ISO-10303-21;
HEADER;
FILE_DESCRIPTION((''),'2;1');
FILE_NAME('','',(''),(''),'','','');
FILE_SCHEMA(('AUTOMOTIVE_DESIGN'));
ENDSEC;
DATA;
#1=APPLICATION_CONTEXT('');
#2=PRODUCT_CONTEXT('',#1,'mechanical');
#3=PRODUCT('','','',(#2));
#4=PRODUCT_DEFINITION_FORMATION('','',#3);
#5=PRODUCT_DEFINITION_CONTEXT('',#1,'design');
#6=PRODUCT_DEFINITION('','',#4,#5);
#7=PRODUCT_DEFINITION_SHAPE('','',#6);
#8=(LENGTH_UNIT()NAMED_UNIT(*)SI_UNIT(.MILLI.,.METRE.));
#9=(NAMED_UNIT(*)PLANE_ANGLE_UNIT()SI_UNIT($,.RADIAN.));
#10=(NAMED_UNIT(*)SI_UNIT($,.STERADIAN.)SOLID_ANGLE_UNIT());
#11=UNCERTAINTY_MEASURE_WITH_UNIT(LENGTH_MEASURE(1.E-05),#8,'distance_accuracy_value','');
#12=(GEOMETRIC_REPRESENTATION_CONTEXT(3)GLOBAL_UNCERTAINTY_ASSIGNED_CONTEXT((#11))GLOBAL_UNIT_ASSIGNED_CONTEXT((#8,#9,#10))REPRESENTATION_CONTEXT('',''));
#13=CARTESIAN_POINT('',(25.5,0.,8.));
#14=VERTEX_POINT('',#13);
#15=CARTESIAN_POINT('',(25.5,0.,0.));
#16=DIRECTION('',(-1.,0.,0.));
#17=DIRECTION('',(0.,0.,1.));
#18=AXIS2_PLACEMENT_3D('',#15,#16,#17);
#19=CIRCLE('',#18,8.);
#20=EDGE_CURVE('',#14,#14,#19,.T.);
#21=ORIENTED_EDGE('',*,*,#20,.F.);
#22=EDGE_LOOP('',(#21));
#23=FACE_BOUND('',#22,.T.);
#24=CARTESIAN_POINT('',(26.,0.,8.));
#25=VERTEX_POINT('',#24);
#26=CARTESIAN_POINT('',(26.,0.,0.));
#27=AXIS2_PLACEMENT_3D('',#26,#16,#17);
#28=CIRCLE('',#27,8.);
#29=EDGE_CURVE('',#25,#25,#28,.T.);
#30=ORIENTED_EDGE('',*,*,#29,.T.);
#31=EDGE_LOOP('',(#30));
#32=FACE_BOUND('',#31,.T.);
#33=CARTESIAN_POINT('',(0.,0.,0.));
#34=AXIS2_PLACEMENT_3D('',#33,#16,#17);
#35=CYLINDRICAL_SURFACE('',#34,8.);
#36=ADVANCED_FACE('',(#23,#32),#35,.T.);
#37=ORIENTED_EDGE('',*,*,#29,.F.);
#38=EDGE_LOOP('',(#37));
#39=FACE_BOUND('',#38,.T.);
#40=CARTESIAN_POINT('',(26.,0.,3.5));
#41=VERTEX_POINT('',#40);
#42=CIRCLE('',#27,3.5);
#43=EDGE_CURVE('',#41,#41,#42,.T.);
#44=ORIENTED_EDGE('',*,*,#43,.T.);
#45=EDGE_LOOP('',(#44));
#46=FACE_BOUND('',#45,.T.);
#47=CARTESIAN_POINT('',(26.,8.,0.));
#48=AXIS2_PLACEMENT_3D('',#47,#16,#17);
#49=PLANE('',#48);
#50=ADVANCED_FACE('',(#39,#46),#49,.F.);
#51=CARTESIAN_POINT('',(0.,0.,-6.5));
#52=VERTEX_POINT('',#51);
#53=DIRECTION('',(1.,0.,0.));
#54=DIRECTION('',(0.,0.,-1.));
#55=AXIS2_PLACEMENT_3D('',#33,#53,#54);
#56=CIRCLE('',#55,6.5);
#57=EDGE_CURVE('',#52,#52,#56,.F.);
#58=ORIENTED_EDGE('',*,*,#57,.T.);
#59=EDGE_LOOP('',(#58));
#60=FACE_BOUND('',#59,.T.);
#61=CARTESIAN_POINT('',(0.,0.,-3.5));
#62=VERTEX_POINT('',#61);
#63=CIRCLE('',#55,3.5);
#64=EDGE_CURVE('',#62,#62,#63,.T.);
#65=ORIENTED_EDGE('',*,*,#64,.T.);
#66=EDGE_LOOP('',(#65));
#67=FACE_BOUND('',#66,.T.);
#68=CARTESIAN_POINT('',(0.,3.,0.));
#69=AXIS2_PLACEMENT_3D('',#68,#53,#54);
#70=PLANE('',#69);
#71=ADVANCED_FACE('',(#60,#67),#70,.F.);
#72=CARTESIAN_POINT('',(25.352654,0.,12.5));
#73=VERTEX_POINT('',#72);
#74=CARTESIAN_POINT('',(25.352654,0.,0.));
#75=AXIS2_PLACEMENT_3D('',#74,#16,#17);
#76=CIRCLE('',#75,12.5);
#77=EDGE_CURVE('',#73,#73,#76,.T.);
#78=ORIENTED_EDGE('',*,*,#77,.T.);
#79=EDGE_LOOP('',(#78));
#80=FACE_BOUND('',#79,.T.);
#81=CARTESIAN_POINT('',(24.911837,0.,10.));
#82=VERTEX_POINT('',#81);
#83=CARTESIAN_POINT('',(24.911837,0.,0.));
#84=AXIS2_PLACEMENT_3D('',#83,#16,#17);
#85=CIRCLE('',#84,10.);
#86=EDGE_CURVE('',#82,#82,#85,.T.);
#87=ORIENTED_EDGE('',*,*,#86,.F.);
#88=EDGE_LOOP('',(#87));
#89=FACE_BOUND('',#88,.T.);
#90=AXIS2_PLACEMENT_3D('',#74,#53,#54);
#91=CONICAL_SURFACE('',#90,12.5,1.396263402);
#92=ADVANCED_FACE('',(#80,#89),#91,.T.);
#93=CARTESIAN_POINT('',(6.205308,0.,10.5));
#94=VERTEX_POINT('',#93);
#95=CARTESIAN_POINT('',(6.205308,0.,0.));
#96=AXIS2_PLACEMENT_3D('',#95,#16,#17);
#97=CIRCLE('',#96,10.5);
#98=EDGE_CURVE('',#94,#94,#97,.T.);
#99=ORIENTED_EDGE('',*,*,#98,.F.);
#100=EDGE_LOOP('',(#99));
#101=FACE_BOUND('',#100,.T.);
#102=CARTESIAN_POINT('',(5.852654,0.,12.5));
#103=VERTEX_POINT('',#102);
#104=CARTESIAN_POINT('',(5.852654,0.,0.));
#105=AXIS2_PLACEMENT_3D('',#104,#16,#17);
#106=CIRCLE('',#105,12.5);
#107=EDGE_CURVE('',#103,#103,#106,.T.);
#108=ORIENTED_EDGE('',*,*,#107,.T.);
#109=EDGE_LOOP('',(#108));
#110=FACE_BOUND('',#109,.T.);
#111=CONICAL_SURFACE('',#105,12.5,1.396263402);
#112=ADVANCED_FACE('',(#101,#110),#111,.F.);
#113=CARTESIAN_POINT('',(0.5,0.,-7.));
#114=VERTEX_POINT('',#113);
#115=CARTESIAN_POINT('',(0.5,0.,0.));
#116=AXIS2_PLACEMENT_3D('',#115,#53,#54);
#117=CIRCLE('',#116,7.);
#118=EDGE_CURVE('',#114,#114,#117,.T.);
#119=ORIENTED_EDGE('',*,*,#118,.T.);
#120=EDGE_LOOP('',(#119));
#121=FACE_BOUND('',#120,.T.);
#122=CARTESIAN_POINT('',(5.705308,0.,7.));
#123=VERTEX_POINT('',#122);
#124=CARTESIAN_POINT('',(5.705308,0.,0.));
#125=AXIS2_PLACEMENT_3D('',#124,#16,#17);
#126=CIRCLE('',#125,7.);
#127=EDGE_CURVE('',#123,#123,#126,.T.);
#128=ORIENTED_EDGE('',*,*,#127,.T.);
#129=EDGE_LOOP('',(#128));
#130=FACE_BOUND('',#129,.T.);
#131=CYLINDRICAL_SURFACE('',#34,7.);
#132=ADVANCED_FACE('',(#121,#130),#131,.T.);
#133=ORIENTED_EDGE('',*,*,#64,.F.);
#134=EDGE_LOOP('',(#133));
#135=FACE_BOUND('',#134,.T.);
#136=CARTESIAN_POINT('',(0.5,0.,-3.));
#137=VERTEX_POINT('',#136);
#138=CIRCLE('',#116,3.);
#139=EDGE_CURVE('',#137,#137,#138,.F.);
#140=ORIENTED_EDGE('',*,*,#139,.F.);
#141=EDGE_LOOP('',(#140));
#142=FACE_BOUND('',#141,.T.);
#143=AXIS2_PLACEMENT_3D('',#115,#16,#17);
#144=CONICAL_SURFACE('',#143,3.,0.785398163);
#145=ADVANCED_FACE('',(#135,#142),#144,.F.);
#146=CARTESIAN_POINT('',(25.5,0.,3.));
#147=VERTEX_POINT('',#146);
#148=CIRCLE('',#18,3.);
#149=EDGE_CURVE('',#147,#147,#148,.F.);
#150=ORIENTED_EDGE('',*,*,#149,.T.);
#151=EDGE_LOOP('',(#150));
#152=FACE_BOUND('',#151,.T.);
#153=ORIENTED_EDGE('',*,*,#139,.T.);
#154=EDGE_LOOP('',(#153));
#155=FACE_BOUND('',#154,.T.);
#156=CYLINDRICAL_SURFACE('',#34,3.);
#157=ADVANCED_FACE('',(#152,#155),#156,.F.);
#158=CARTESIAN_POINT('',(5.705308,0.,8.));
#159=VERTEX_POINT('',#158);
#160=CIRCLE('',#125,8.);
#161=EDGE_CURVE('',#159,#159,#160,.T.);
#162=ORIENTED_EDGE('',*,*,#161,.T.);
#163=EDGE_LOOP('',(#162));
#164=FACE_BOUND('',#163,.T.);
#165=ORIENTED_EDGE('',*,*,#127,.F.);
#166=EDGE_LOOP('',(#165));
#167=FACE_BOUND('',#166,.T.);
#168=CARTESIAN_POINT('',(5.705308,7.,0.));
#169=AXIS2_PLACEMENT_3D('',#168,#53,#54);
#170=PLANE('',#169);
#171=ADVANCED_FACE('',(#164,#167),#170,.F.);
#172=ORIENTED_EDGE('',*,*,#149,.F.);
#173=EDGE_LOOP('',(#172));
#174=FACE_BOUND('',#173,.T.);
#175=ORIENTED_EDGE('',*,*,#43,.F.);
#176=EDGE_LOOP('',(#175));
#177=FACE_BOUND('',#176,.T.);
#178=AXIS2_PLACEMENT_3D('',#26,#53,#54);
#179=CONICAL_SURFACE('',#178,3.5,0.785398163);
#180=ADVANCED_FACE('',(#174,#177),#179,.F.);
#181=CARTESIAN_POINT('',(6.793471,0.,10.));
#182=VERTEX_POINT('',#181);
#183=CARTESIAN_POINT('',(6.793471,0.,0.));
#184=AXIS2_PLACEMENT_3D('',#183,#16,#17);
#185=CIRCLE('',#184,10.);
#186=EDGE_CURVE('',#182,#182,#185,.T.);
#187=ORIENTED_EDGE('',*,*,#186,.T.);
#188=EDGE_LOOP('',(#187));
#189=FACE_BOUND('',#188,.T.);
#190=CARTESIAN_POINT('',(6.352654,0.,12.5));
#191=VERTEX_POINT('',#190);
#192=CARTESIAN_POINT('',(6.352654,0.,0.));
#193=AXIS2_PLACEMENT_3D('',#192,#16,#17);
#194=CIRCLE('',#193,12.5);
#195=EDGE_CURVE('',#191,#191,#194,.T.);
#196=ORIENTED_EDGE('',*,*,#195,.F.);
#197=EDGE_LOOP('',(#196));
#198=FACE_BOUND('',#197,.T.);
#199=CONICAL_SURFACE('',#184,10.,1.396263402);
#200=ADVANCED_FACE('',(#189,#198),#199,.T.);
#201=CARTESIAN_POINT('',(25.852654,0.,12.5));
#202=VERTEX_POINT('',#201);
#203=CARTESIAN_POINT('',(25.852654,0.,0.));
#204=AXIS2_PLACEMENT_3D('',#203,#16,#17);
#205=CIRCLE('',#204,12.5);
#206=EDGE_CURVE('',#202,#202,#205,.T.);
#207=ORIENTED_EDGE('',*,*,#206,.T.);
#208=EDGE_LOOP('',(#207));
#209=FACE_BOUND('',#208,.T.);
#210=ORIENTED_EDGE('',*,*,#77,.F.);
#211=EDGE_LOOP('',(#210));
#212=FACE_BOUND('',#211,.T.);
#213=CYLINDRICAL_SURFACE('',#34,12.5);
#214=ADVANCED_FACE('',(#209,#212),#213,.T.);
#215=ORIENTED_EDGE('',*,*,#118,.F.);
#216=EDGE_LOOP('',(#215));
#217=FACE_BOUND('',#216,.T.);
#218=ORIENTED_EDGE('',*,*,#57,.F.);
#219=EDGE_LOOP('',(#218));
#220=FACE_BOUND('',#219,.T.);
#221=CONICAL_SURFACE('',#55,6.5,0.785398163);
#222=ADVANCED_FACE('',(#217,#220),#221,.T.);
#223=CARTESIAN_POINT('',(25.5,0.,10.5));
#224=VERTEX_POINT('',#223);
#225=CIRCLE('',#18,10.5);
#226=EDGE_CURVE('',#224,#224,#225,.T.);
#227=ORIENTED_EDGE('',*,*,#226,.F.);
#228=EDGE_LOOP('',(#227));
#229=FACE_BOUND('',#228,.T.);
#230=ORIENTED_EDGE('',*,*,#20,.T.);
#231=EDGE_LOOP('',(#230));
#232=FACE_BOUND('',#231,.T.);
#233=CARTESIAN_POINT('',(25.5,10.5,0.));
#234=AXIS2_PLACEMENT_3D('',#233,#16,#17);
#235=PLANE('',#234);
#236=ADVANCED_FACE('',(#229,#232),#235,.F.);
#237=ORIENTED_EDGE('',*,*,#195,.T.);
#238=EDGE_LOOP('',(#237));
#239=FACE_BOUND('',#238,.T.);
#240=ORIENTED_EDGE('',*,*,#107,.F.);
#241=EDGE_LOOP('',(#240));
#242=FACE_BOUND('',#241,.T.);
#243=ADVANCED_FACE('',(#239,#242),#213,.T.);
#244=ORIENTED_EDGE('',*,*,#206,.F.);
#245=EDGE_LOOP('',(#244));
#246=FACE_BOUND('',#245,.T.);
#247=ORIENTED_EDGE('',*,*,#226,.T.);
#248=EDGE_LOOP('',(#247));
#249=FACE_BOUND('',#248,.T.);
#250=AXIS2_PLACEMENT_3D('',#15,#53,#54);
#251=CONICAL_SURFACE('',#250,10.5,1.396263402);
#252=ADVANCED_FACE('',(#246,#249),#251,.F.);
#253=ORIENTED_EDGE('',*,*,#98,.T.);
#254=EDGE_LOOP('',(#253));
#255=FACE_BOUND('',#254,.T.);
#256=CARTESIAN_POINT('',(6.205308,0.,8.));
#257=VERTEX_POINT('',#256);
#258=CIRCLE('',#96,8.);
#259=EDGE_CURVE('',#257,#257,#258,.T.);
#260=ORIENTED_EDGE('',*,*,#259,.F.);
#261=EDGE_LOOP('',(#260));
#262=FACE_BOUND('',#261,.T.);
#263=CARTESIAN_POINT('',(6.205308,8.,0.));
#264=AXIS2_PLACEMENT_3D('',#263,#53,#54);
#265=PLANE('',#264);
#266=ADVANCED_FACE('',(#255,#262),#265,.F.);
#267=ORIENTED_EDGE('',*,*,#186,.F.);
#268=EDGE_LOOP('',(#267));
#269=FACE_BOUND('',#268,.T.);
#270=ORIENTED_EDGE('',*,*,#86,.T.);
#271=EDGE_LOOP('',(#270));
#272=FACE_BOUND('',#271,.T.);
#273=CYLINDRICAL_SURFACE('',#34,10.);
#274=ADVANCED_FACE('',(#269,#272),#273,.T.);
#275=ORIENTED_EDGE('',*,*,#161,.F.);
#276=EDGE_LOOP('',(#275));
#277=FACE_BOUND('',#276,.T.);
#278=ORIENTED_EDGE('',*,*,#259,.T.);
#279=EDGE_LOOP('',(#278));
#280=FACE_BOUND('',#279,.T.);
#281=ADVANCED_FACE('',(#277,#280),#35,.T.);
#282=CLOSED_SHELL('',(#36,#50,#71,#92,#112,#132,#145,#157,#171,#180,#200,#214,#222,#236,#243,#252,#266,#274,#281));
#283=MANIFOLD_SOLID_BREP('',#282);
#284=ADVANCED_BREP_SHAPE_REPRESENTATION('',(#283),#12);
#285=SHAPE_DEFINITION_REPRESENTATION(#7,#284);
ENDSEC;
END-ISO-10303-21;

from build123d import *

# Parameters (mm, degrees)
FASE1_SIZE = 0.5


with BuildPart() as part:
    # Skizze1 → Rotation1 (revolve)
    with BuildSketch(Plane.XY, mode=Mode.PRIVATE) as rotation1_sk:
        Polygon((0, 3), (26, 3), (26, 8), (25.5, 8), (25.5, 10.5), (25.852653961, 12.5), (25.352653961, 12.5), (24.91183651, 10), (6.793471413, 10), (6.352653961, 12.5), (5.852653961, 12.5), (6.205307923, 10.5), (6.205307923, 8), (5.705307923, 8), (5.705307923, 7), (0, 7), align=None)
    revolve(rotation1_sk.sketch.rotate(Axis((0, 0, 0), (1, 0, 0)), 90), axis=Axis((0, 0, 0), (1, 0, 0)))

    # Fase1
    fase1_edges = [part.edges().sort_by_distance(p)[0] for p in [
        (0, 0, -3),
        (26, 0, -3),
        (0, 0, -7),
    ]]
    chamfer(fase1_edges, length=FASE1_SIZE)


solid = part.part
